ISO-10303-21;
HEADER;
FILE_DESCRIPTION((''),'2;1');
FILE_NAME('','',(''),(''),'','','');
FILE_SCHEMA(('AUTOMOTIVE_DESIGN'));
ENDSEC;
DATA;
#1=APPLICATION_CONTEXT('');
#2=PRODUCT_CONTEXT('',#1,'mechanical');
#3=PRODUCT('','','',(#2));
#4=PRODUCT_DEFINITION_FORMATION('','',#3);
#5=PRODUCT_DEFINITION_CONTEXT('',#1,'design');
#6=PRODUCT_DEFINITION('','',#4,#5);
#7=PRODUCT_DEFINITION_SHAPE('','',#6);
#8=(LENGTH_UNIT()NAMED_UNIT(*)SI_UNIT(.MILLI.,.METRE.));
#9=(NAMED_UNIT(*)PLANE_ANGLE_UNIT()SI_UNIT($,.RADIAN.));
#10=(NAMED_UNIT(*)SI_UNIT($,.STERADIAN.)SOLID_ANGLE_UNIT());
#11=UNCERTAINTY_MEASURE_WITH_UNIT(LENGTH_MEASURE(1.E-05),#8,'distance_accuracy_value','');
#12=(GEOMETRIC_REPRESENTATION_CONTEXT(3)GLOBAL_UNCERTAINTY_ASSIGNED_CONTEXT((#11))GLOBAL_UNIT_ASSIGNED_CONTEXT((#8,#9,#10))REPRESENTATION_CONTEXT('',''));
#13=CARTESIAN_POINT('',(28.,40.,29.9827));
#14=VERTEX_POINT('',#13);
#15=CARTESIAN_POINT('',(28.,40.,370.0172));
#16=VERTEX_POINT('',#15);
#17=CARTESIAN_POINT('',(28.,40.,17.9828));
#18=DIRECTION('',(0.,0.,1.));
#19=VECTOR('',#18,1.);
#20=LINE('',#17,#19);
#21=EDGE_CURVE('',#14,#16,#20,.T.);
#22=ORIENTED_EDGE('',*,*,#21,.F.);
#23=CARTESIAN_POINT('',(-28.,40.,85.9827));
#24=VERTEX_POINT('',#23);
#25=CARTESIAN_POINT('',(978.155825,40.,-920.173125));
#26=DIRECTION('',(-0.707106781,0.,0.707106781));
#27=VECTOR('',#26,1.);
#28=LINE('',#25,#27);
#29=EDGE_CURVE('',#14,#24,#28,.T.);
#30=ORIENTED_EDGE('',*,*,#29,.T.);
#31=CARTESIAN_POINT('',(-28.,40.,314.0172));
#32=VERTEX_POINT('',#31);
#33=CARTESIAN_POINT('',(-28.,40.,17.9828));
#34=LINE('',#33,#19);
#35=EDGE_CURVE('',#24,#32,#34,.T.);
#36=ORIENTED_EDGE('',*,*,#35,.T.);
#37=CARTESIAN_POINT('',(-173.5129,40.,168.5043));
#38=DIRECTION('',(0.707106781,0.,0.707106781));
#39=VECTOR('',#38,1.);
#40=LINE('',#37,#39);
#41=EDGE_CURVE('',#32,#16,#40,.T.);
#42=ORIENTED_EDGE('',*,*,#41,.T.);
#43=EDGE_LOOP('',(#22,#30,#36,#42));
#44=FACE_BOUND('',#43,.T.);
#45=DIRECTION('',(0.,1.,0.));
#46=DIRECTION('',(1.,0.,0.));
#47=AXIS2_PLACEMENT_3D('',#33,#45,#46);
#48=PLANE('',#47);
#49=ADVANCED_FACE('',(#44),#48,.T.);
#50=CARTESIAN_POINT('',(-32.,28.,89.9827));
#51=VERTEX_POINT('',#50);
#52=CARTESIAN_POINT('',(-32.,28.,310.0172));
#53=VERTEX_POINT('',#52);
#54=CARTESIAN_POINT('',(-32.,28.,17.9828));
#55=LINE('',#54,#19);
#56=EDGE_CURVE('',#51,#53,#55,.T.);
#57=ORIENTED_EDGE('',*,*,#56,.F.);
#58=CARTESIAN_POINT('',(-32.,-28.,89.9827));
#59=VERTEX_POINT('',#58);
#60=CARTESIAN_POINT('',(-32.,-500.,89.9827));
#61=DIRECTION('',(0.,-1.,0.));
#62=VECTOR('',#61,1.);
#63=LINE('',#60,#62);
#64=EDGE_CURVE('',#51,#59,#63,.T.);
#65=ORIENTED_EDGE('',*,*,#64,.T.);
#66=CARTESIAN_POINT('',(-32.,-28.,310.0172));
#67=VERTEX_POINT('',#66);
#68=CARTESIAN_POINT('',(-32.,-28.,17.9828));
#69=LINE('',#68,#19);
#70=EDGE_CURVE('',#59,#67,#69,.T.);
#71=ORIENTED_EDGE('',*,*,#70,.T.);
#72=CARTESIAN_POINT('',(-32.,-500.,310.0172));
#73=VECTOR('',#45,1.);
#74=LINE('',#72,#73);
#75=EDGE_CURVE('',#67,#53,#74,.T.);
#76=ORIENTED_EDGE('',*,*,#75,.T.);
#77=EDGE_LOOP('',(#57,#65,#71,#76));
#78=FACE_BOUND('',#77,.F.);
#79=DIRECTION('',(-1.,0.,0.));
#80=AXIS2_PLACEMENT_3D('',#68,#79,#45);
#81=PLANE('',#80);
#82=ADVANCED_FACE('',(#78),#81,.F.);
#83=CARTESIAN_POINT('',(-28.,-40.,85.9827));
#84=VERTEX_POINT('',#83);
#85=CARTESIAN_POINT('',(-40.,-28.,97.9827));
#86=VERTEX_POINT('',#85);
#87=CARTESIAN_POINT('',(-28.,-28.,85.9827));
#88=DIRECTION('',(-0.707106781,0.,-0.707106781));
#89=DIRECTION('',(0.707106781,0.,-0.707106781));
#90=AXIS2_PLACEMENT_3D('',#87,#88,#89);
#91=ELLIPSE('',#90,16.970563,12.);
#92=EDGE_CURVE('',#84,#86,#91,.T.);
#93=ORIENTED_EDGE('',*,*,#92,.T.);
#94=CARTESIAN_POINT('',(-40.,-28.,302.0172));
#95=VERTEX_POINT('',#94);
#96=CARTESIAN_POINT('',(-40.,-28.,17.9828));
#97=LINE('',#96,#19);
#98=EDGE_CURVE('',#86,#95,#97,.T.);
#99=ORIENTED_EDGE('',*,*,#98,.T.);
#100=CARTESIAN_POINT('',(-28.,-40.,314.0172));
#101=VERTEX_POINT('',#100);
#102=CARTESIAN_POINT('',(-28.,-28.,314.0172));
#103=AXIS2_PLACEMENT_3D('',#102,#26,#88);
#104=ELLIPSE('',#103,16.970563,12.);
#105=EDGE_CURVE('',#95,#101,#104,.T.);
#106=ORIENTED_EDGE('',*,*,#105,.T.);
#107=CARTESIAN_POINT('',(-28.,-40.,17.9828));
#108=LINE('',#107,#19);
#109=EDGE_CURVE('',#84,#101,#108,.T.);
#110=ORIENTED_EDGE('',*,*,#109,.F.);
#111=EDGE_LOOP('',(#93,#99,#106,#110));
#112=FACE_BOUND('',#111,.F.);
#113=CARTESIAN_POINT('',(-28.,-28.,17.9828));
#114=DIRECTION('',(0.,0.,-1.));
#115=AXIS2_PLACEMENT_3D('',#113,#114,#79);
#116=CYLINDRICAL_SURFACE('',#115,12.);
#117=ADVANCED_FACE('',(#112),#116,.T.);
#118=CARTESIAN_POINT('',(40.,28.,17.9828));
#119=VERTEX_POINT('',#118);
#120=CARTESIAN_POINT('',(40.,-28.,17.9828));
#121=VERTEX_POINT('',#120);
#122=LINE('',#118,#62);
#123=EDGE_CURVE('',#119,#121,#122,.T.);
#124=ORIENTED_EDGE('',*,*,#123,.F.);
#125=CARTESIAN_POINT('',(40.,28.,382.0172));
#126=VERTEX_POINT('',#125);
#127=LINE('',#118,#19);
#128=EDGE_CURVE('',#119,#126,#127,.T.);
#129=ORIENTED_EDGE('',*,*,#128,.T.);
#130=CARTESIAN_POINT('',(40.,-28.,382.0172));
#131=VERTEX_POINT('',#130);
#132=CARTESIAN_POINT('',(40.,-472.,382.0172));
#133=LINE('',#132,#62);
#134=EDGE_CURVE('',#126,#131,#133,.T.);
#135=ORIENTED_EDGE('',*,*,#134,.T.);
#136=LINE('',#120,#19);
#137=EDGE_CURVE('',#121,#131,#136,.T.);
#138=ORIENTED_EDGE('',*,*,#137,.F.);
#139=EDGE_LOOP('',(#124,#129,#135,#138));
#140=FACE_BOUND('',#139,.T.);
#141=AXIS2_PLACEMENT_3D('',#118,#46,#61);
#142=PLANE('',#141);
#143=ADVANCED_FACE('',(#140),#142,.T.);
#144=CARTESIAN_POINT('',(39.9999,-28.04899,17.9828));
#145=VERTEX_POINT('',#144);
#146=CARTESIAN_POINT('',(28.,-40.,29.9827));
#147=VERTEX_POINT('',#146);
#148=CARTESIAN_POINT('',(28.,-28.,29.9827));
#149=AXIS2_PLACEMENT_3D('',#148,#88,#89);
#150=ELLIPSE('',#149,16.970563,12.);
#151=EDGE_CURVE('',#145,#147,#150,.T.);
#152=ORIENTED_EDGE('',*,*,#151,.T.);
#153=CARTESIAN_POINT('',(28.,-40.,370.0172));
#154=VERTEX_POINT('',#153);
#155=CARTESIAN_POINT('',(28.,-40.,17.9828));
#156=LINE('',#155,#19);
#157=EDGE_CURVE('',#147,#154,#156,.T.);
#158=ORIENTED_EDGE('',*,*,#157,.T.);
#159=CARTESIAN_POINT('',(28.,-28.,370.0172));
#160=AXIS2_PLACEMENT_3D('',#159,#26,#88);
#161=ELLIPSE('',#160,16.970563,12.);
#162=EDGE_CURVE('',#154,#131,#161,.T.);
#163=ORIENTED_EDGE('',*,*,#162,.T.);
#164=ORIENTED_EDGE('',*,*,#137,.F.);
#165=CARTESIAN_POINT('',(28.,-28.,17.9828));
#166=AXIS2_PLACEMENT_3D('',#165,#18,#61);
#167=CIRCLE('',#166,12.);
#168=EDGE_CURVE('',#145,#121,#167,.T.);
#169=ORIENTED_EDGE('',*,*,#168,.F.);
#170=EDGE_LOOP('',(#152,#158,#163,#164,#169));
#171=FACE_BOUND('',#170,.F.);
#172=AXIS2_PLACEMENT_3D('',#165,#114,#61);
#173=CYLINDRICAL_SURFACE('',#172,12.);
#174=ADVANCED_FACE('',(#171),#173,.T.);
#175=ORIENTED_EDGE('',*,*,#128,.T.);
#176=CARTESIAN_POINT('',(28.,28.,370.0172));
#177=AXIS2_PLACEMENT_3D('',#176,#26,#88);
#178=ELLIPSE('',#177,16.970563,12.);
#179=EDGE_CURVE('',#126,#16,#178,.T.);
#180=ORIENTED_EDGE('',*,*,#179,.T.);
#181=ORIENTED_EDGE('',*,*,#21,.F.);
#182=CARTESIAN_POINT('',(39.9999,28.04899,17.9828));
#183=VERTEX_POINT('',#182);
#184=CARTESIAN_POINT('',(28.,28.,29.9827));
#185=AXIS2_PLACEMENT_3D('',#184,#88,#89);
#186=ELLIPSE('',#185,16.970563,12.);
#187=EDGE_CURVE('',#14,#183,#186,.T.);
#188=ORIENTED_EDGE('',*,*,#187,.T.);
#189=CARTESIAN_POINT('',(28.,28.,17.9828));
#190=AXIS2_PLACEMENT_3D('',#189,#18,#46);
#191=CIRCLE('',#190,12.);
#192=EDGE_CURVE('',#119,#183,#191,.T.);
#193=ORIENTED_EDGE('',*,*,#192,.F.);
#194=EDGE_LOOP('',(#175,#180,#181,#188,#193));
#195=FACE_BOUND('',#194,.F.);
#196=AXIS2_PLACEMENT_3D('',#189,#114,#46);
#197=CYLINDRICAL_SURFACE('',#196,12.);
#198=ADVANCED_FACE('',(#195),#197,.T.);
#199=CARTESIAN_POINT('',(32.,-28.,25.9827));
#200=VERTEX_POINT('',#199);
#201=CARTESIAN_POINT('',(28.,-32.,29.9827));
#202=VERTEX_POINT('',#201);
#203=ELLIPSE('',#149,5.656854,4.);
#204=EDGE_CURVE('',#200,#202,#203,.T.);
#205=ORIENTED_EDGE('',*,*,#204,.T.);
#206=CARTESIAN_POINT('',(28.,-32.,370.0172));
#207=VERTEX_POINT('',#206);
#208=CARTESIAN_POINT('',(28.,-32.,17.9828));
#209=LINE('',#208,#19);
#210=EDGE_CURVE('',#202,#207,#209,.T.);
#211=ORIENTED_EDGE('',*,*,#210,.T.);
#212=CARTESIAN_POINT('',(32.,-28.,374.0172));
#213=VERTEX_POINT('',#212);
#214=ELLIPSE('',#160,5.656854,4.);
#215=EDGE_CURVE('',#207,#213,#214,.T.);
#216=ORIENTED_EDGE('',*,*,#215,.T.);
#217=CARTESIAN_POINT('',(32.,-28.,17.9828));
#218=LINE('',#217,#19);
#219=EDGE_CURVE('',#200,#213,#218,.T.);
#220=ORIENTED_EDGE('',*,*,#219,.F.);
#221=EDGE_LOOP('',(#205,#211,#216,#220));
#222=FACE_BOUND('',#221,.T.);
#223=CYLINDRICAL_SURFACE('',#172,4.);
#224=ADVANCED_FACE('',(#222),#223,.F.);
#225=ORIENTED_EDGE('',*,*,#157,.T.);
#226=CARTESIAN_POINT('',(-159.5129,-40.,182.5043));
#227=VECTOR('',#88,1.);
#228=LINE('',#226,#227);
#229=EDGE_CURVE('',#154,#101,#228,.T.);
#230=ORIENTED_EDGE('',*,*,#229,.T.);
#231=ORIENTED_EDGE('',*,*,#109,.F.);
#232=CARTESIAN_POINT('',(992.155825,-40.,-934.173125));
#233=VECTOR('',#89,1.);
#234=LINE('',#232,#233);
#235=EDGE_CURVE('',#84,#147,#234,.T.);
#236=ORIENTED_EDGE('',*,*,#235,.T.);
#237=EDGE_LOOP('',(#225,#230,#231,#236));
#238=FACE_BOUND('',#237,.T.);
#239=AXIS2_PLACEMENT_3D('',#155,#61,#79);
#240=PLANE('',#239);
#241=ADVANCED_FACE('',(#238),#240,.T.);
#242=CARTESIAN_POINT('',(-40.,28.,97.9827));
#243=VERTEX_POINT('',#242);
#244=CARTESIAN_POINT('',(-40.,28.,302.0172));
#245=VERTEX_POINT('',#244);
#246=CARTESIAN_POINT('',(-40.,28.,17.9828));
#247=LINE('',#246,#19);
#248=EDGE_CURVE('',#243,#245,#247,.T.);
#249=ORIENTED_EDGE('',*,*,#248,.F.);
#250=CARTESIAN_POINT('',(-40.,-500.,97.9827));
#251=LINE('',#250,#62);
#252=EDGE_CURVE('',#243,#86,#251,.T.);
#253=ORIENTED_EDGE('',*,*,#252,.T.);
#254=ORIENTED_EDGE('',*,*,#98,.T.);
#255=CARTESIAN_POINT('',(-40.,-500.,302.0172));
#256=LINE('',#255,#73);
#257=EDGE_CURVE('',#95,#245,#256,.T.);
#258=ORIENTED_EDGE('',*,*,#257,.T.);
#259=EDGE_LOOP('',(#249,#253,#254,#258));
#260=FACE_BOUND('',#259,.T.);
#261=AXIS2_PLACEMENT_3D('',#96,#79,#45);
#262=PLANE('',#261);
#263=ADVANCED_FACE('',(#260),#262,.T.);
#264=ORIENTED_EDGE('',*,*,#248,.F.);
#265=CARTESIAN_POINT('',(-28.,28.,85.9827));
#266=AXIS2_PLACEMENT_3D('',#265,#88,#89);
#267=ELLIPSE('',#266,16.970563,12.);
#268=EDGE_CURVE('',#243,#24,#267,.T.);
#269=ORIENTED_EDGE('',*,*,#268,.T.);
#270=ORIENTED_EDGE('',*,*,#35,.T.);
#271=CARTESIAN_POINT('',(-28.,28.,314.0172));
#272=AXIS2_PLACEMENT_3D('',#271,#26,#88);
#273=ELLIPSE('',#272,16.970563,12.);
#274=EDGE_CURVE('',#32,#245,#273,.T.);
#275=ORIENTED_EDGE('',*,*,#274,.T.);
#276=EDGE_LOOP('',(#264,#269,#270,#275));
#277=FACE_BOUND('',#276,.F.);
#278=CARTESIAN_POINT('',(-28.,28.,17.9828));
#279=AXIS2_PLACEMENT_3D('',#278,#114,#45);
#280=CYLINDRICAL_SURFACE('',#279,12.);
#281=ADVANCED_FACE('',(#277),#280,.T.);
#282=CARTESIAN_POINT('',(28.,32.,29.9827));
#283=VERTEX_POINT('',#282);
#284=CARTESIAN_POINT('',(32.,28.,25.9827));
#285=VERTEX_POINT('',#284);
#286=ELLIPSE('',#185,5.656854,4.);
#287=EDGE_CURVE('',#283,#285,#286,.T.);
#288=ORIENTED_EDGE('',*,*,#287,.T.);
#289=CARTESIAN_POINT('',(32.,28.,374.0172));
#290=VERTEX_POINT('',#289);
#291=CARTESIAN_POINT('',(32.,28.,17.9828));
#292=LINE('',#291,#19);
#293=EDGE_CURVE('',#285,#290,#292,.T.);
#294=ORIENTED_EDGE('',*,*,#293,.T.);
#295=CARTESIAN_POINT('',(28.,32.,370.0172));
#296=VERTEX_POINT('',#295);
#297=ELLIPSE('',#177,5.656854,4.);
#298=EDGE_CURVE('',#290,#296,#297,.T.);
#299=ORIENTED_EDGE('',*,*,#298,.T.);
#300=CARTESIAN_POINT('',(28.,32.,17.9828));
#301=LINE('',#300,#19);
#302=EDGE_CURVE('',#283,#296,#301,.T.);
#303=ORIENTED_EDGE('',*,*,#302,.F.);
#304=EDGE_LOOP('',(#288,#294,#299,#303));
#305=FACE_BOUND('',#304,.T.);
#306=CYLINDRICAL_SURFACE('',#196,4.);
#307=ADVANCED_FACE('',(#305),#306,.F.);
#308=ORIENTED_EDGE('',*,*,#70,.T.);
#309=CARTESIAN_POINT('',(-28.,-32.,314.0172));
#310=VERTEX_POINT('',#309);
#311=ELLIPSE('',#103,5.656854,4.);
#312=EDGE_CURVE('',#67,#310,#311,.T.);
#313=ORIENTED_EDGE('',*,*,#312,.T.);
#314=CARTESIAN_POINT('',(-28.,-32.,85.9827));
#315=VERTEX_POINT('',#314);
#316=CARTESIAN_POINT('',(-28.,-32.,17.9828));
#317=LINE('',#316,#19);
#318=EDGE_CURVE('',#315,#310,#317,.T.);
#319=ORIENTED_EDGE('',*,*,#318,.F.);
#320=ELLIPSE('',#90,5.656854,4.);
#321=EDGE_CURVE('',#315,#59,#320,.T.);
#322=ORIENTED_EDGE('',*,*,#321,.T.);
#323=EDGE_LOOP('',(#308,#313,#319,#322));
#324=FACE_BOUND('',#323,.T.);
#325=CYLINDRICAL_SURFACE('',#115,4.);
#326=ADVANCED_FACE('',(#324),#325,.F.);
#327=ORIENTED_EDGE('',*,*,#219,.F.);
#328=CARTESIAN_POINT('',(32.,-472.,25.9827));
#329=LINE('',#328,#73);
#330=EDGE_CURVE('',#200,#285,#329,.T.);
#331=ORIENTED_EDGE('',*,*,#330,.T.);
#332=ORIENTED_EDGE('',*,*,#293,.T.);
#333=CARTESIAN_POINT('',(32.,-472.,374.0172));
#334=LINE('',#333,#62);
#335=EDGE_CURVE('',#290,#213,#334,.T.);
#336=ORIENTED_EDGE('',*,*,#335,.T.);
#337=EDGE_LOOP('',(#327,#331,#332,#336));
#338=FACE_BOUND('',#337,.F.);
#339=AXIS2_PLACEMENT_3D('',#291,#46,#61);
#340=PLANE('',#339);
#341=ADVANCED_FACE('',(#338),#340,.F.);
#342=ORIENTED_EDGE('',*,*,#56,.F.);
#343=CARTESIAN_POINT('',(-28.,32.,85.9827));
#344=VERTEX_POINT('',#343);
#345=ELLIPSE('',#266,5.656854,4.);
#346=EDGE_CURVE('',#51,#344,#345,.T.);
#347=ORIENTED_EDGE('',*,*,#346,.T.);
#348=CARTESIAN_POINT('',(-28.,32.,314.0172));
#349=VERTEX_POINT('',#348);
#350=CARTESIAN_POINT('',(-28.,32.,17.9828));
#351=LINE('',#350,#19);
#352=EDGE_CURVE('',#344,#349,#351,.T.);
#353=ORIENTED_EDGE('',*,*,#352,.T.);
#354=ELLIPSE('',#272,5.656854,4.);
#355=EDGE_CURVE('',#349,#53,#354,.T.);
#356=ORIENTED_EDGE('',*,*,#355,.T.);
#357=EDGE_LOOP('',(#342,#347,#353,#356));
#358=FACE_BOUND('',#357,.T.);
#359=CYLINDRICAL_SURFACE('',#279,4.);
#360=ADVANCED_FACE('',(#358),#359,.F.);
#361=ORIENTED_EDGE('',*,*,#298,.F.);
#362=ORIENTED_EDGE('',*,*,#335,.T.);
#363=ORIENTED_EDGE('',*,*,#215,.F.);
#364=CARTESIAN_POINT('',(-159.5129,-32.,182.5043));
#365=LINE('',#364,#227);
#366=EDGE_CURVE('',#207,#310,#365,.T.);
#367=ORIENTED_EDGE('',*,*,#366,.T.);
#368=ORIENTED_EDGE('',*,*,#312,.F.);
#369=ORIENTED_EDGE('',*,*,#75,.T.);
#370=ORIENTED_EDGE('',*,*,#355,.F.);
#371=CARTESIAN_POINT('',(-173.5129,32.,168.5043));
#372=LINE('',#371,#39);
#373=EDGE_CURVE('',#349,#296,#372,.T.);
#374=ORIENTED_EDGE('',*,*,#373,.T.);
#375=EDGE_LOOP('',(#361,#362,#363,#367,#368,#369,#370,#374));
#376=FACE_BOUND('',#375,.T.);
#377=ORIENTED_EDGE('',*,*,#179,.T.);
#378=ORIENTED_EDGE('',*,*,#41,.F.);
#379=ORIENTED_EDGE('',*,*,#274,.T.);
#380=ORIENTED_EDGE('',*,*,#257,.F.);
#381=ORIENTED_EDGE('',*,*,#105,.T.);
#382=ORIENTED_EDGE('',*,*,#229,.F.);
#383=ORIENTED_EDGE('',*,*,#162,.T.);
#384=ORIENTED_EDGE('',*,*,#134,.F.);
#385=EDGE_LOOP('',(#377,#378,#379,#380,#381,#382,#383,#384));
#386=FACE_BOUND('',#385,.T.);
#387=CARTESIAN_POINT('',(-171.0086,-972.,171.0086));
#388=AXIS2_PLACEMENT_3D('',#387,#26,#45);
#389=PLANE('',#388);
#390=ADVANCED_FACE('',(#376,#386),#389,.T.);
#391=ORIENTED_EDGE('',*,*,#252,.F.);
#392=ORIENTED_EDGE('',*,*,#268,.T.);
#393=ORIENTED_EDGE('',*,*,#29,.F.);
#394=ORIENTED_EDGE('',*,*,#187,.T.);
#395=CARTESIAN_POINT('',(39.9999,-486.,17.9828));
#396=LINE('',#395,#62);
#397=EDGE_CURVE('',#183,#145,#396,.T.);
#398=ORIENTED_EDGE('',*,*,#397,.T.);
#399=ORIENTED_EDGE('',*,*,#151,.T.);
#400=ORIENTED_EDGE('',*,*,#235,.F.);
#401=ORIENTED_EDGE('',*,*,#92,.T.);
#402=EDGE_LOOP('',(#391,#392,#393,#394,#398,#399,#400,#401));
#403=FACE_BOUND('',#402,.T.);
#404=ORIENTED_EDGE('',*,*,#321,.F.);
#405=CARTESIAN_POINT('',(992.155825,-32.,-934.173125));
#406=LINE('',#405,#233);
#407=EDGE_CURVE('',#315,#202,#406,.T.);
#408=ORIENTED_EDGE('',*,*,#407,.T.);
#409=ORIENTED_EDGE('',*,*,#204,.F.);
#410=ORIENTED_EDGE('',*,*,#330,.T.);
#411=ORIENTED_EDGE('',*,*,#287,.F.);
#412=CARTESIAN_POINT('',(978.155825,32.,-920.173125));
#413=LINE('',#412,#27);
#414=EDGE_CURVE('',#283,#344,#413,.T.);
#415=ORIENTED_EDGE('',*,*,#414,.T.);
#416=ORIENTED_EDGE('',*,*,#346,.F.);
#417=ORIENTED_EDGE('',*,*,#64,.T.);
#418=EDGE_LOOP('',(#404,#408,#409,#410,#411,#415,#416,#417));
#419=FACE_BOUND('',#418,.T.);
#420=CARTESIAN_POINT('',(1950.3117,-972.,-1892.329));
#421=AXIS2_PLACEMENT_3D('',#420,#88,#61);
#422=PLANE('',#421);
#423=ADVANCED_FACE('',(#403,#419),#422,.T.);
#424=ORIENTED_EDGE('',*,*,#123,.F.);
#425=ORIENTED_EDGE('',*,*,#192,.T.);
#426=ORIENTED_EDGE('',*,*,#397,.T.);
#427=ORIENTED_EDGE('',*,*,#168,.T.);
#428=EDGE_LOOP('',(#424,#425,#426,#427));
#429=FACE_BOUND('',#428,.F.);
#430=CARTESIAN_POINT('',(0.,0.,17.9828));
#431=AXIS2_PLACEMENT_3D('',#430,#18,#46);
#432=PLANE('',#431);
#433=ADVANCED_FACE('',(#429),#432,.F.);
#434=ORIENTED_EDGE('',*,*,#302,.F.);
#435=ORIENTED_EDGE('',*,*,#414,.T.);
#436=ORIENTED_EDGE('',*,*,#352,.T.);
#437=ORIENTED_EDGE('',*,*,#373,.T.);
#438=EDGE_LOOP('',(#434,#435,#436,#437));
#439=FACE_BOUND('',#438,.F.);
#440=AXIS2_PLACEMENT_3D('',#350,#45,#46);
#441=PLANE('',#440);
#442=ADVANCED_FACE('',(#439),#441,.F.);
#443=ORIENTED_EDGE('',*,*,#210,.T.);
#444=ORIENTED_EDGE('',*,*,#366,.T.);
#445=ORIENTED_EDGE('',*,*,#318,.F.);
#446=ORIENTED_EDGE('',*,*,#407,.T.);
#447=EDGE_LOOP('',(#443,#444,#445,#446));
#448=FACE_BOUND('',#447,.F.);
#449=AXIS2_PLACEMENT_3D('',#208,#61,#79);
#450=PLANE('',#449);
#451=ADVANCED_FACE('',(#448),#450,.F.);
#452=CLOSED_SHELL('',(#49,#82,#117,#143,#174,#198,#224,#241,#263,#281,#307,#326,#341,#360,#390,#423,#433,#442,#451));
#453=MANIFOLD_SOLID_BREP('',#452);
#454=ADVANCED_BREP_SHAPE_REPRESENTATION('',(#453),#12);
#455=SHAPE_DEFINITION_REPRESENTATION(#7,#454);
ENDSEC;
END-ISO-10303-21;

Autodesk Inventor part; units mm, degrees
ref_plane "Start Plane" through (0, 0, 17.9828) normal (0, 0, 1) x (1, 0, 0)
ref_plane "End Plane" through (0, 0, 382.0172) normal (0, 0, 1) x (1, 0, 0)
sketch "Sketch" plane through (0, 0, 0) normal (0, 0, 1) x (1, 0, 0)
  line L0 (-40, -28) -> (-40, 28)
  line L1 (-28, 40) -> (28, 40)
  line L2 (40, 28) -> (40, -28)
  line L3 (28, -40) -> (-28, -40)
  arc A0 (-40, -28) -> (-28, -40) centre (-28, -28) ccw
  arc A1 (-28, 40) -> (-40, 28) centre (-28, 28) ccw
  arc A2 (40, 28) -> (28, 40) centre (28, 28) ccw
  arc A3 (28, -40) -> (40, -28) centre (28, -28) ccw
  arc A4 (-28, 32) -> (-32, 28) centre (-28, 28) ccw
  line L4 (-28, 32) -> (28, 32)
  arc A5 (32, 28) -> (28, 32) centre (28, 28) ccw
  line L5 (32, 28) -> (32, -28)
  arc A6 (28, -32) -> (32, -28) centre (28, -28) ccw
  line L6 (28, -32) -> (-28, -32)
  arc A7 (-32, -28) -> (-28, -32) centre (-28, -28) ccw
  line L7 (-32, -28) -> (-32, 28)
  line L8 (0, 59.4794) -> (0, -59.4794) construction
  line L9 (-59.4794, 0) -> (59.4794, 0) construction
  dimension "d7" = 12
  dimension "d10" = 80
  dimension "d11" = 80
  dimension "d12" = 8
  dimension "d15" = 40
  dimension "d16" = 40
extrude "Body" add sketch "Sketch" along normal up to surface (364.0345 mm away) from surface at 17.9828
sketch "Sketch3" plane through (0, 0, 0) normal (0, 0, 1) x (1, 0, 0)
  line L0 (0, 0) -> (10, 0)
ref_plane "Work Plane3" through (0, 0, 0) normal (0, -1, 0) x (1, 0, 0)
ref_plane "Work Plane4" through (-171.0086, -972, 171.0086) normal (-0.7071, 0, 0.7071) x (0.7071, 0, 0.7071)
split "Split1" plane through (-171.0086, -972, 171.0086) removes the side toward (-0.7071, 0, 0.7071)
ref_plane "Work Plane5" through (1950.3117, -972, -1892.329) normal (-0.7071, 0, -0.7071) x (-0.7071, 0, 0.7071)
split "Split2" plane through (1950.3117, -972, -1892.329) removes the side toward (-0.7071, 0, -0.7071)
sketch "Sketch4" plane through (0, 0, 0) normal (0, -1, 0) x (1, 0, 0)
  line L0 (-2, 17.9828) -> (12, 17.9828) projected
  line L1 (-2, 382.0172) -> (12, 382.0172) projected
  dimension "d18" = 364.0345
equation "\"d7\" = G_IR"
equation "\"d10\" = G_H"
equation "\"d11\" = G_W"
equation "\"d12\" = G_T"
equation "\"d15\" = 0.5 * d10"
equation "\"d16\" = 0.5 * d11"
equation "\"d3\" = G_L"
equation "\"G_W\" = 80"
equation "\"G_H\" = 80"
equation "\"G_T\" = 8"
equation "\"G_IR\" = 12"
equation "\"G_L\" = d18"
equation "\"G_OFFSET_START\" = -17.98276"
equation "\"G_OFFSET_END\" = -17.98276"
equation "\"d13\" = -G_OFFSET_START"
equation "\"d14\" = G_OFFSET_END + B_L"
equation "\"B_L\" = 400"
properties part number "ISO 12633-2 - 80x80x8 - 364.03" material "Steel, Mild"
